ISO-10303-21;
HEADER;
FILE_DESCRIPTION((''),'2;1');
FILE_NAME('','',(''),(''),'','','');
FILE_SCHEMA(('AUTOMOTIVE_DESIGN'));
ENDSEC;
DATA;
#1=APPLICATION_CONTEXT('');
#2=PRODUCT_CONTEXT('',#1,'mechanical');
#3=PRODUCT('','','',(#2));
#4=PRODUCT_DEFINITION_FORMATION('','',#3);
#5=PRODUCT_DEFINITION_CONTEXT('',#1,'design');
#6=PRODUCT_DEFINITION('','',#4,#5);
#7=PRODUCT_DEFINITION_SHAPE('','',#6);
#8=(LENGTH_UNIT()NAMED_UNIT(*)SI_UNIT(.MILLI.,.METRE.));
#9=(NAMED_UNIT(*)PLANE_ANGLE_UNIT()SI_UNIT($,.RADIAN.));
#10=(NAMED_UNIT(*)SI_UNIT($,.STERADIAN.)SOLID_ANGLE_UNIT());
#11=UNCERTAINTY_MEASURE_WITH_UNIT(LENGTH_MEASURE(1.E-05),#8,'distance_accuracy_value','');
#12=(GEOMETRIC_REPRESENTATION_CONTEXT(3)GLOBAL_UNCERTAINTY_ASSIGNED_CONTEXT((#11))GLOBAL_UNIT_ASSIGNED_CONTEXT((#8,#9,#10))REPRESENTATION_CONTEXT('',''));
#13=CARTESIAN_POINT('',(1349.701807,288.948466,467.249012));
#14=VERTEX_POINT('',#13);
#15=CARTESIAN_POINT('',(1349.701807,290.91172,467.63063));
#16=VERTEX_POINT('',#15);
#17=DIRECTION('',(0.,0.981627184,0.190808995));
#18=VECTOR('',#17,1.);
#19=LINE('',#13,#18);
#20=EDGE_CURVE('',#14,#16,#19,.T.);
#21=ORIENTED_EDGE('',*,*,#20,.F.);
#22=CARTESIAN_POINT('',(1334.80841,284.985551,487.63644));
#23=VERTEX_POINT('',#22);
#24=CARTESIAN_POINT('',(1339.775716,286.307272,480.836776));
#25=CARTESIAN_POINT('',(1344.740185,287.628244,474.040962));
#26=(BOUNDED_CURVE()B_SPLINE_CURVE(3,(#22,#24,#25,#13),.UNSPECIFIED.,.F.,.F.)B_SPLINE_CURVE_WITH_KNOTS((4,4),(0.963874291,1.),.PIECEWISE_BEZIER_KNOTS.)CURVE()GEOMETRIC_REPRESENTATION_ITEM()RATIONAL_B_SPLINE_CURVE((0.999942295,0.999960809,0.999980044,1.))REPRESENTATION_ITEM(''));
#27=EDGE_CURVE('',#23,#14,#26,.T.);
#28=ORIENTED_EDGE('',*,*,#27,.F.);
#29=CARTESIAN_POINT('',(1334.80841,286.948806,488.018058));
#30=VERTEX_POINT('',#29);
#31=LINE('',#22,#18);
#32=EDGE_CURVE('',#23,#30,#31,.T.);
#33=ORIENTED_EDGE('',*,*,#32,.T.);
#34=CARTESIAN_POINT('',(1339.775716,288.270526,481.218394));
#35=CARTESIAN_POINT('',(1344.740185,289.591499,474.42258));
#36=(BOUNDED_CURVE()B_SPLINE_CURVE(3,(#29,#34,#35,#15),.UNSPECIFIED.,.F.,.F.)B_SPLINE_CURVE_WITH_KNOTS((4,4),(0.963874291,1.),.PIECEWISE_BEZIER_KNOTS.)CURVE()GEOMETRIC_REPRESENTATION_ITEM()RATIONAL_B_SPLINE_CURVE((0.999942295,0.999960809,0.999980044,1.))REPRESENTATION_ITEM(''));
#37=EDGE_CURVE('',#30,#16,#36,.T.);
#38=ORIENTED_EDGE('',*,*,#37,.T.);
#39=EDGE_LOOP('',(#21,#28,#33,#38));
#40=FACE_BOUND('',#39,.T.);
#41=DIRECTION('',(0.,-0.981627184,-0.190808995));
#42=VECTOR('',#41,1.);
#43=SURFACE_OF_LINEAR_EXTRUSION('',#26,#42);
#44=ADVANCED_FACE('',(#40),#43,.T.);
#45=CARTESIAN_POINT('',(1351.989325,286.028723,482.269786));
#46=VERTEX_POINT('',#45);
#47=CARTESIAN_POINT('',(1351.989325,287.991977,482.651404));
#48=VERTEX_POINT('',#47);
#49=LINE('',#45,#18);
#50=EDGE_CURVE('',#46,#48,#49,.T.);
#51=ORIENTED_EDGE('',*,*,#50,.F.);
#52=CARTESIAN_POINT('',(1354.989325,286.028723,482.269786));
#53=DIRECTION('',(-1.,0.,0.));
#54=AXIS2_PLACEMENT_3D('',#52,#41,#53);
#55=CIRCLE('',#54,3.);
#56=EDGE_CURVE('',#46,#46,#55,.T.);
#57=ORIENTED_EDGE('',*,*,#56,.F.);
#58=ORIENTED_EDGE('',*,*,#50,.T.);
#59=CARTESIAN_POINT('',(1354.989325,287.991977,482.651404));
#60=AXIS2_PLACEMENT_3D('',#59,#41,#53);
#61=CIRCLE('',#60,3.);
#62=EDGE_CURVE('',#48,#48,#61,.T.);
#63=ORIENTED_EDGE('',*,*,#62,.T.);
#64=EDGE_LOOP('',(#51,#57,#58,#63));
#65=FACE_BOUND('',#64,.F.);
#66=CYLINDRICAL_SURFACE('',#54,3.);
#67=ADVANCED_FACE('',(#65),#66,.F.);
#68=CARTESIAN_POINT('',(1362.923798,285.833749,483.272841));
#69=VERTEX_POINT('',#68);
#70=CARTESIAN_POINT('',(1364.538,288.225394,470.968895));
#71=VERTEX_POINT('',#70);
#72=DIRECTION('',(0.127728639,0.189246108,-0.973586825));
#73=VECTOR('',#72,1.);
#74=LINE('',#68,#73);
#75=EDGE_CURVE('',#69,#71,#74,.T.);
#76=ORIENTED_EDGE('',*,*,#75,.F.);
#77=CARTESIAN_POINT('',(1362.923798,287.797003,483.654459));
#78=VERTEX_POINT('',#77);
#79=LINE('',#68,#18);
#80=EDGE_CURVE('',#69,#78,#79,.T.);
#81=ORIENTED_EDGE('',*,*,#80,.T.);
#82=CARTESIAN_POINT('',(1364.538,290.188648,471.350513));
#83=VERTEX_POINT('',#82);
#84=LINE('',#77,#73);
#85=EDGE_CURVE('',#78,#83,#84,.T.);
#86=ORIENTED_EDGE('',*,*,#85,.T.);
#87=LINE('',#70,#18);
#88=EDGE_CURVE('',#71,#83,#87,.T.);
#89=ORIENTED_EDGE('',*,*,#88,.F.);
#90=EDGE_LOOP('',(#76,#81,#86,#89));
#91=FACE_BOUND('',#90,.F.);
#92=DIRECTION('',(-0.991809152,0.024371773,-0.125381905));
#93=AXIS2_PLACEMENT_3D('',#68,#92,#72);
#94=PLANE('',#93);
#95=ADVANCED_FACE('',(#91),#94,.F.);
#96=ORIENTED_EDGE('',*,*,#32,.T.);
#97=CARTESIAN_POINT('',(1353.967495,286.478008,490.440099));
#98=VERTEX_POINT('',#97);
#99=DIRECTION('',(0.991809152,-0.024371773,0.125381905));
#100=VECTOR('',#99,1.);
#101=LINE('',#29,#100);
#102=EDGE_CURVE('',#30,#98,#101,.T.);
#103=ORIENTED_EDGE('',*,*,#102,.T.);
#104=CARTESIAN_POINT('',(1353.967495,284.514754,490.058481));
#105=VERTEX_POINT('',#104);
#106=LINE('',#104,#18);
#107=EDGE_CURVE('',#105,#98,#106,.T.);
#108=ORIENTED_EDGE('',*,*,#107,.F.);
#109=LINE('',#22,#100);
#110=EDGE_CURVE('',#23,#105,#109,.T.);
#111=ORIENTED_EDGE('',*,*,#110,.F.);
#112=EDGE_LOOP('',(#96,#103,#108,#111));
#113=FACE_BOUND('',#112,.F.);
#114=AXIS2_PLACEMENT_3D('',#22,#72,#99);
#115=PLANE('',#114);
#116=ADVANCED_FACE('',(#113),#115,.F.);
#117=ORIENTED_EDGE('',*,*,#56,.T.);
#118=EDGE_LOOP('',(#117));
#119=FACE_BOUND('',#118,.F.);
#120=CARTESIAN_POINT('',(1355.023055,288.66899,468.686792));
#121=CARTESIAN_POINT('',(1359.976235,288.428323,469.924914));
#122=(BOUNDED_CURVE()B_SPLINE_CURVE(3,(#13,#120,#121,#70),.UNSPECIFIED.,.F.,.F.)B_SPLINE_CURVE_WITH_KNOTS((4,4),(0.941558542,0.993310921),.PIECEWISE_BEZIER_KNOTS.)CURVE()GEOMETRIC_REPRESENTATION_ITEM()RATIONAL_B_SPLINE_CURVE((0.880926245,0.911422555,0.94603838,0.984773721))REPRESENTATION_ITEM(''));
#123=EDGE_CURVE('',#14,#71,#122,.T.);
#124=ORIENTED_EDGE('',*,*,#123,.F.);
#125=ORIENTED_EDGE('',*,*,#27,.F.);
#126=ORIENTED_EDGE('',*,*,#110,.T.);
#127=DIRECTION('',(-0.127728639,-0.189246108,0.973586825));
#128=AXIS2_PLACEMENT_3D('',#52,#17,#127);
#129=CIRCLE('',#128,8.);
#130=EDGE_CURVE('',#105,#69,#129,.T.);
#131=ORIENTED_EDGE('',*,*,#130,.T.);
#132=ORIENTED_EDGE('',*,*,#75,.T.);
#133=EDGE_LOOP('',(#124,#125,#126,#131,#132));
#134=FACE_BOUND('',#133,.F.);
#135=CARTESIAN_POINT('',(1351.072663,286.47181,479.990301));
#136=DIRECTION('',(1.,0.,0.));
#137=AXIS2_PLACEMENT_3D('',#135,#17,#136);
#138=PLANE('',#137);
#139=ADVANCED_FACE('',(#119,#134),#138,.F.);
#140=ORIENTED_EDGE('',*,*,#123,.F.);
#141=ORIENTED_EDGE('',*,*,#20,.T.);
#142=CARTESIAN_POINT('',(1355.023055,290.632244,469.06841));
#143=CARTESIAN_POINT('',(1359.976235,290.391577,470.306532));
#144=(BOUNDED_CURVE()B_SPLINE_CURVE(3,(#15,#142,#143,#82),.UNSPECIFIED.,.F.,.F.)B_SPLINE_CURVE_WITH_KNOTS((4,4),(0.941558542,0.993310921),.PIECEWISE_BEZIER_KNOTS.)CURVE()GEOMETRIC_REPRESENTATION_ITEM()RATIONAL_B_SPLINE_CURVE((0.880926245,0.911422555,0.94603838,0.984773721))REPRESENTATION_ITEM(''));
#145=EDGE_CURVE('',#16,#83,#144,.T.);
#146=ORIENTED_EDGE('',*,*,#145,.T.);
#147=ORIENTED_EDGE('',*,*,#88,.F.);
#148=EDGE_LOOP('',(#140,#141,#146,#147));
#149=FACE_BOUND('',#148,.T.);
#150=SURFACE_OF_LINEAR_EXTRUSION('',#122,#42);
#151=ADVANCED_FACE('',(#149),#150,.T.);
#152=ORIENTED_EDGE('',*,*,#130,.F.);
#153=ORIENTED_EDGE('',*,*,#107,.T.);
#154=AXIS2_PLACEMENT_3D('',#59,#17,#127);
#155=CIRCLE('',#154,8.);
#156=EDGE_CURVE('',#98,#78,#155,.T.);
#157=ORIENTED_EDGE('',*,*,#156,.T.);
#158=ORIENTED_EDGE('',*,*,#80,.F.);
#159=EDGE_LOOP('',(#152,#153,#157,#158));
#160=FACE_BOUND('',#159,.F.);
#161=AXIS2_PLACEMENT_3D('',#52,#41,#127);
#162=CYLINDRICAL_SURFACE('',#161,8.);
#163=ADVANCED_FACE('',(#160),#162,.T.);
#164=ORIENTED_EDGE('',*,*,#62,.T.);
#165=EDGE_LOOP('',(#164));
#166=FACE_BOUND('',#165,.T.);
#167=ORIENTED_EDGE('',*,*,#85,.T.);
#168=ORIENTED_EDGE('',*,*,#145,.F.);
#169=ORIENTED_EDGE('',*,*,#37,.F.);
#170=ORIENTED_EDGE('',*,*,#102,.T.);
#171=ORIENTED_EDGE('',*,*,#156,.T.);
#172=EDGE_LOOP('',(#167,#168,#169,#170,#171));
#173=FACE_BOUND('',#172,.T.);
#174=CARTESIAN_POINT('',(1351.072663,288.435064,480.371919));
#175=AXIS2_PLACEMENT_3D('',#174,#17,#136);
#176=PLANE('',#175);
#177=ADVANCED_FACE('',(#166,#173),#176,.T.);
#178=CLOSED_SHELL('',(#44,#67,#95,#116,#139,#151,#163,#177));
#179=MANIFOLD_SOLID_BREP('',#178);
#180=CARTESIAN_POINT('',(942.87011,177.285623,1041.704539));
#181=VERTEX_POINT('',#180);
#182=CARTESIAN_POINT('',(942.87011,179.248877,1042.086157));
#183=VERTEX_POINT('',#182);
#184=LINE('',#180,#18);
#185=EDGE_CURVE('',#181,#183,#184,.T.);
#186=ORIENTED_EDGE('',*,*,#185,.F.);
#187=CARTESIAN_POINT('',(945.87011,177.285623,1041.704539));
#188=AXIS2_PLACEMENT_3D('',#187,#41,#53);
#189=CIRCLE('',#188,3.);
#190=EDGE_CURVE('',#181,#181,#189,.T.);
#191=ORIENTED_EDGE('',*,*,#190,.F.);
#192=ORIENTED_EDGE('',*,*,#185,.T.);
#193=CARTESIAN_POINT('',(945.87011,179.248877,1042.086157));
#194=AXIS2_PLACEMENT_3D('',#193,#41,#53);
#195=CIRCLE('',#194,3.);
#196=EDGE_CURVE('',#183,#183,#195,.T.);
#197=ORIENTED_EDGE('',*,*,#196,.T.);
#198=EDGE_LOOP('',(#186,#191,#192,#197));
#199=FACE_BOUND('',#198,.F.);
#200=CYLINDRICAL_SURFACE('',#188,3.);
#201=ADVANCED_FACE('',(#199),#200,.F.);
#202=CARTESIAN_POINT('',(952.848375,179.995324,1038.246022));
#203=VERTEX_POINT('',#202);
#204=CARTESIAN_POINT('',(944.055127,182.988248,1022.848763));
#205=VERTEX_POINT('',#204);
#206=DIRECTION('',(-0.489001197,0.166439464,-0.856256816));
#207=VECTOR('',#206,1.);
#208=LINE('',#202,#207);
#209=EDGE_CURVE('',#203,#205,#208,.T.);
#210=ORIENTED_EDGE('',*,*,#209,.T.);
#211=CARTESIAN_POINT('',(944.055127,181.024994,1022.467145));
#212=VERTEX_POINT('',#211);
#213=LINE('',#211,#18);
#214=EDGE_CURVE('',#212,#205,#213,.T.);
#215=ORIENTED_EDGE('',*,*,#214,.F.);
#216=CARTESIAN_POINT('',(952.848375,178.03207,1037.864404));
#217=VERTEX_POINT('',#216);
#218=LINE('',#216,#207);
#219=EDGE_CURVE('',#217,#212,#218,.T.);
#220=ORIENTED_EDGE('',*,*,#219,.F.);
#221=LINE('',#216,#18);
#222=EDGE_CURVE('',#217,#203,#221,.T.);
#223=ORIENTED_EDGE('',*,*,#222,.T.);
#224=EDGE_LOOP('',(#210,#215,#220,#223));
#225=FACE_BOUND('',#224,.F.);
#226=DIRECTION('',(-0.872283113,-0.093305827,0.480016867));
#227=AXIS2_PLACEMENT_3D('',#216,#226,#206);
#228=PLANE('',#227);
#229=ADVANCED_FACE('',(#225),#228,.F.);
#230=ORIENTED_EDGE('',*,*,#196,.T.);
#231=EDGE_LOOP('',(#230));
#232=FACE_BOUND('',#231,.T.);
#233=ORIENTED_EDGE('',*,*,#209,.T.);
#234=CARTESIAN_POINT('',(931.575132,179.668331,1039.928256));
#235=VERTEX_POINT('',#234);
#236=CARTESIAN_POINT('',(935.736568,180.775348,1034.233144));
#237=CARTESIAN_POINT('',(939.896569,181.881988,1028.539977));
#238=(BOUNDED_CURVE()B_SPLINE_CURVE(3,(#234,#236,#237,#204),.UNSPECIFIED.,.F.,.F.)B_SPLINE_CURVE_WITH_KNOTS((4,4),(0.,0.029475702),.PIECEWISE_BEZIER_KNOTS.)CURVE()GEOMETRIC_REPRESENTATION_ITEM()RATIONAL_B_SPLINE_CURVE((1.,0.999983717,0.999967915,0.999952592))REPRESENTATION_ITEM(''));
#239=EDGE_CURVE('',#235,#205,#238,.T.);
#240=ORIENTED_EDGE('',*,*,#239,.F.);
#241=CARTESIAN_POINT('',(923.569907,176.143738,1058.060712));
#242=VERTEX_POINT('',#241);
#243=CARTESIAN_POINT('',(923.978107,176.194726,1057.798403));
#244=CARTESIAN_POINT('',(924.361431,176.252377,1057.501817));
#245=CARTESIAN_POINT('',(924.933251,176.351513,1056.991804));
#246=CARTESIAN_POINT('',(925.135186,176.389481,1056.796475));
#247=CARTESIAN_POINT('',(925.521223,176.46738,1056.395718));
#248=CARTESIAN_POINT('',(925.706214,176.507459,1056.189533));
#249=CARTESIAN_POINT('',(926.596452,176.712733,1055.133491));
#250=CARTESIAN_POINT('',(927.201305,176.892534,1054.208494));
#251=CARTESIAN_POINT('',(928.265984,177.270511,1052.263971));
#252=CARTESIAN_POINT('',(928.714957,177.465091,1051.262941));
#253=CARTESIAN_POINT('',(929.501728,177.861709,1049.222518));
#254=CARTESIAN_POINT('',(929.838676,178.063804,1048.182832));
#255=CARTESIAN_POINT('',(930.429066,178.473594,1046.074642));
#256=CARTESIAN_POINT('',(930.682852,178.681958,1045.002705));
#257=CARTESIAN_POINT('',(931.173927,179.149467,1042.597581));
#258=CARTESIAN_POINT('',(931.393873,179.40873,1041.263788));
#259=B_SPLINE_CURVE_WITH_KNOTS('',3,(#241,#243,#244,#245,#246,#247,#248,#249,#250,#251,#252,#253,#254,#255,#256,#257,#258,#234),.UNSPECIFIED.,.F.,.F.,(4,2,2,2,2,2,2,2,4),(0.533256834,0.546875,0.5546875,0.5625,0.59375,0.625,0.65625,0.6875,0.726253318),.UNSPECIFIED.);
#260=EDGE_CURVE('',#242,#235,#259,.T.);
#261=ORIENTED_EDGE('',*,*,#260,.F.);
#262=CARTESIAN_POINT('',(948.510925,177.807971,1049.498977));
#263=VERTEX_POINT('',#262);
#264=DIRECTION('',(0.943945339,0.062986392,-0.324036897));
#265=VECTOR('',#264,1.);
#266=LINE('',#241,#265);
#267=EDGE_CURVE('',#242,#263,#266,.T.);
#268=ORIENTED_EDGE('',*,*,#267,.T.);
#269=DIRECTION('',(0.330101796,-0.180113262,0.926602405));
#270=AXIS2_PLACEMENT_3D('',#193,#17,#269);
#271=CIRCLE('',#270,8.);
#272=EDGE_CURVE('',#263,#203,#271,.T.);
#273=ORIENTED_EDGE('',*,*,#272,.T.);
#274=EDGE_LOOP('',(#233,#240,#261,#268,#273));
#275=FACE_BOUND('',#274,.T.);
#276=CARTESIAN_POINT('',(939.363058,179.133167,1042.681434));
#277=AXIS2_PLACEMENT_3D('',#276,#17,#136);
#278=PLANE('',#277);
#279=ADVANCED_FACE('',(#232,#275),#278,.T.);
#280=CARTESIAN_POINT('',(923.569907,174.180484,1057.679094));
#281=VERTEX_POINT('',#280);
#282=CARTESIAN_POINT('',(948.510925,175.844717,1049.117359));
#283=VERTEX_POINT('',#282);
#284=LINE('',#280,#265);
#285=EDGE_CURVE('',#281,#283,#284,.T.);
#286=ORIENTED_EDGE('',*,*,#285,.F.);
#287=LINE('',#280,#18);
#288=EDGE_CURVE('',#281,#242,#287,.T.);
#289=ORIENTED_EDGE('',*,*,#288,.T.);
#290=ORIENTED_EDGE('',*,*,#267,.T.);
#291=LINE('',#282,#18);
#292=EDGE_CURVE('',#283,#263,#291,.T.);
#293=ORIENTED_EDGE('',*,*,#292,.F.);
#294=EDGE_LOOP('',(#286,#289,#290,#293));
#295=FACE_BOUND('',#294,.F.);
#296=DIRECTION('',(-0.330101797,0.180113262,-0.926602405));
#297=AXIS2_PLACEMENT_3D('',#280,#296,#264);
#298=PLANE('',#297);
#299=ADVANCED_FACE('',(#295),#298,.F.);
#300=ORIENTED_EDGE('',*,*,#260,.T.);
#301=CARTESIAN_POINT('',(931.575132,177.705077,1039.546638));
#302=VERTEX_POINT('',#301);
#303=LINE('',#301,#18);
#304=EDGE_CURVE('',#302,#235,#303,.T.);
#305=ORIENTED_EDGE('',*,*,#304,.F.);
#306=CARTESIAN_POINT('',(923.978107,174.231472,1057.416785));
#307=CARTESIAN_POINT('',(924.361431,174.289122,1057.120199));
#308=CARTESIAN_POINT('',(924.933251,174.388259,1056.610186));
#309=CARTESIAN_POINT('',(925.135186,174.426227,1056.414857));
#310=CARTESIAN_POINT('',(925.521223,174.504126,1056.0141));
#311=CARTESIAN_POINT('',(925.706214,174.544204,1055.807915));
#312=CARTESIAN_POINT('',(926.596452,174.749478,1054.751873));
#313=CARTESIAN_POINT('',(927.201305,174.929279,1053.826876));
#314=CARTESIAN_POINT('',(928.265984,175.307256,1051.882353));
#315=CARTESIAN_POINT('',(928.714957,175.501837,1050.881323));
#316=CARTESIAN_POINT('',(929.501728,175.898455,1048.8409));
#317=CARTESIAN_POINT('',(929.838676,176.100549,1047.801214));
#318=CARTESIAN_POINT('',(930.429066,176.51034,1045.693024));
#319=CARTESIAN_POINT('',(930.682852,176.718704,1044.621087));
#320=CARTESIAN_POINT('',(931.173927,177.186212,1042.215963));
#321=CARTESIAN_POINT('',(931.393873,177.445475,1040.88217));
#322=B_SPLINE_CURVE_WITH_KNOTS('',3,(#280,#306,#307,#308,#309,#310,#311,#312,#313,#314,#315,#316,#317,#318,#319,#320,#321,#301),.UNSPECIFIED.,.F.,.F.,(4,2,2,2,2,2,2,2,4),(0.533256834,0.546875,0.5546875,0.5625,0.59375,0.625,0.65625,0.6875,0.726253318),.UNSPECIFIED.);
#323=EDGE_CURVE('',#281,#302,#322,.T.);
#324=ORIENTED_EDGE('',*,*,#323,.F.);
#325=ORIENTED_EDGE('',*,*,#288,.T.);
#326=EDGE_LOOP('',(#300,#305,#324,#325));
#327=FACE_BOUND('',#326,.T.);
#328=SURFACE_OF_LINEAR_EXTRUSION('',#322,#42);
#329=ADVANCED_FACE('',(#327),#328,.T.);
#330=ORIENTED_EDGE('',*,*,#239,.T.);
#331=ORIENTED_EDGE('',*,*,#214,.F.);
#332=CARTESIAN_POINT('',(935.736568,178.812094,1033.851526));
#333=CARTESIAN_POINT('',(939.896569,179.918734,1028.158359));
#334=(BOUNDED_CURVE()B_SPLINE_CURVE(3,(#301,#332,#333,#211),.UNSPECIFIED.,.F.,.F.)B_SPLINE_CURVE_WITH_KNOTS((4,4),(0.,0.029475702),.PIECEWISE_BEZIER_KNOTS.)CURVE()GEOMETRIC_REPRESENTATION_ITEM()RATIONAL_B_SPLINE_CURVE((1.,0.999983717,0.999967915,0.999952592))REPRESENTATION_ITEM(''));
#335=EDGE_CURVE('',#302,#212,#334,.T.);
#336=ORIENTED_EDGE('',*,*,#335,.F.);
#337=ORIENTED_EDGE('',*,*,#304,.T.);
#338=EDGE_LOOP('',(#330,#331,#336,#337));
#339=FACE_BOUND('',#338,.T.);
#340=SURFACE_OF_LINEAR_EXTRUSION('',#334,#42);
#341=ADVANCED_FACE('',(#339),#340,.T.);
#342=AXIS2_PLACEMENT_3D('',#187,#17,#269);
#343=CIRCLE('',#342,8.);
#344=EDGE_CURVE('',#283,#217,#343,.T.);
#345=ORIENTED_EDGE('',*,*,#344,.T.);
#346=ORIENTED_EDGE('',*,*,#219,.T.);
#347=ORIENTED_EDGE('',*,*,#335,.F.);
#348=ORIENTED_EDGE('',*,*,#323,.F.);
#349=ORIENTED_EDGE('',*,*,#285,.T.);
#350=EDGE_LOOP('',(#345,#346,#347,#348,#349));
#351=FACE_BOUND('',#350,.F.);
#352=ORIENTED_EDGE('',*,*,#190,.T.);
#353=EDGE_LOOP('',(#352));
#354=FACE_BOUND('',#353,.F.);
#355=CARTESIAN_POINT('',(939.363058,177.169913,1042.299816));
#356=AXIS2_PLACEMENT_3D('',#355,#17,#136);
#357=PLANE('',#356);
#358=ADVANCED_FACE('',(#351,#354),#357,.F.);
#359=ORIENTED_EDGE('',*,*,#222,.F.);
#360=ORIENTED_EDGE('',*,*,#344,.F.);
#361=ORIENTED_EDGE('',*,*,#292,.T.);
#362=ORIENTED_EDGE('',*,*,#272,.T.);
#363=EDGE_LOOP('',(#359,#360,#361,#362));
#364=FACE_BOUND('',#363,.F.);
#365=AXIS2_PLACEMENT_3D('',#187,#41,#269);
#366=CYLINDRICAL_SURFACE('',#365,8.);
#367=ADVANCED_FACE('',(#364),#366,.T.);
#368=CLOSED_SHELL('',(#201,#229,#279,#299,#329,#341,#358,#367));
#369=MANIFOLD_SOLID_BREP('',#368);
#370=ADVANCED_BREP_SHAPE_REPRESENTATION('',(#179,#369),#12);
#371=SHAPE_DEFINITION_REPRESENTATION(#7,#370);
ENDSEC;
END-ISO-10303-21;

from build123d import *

# Parameters (mm, degrees)
SZKIC1_R                      = 3
DODANIE_WYCI_GNI_CIE1_DEPTH   = 2
DODANIE_WYCI_GNI_CIE1_2_DEPTH = 2


with BuildPart() as part:
    # Szkic1 → Dodanie-wyciągnięcie1 (new body)
    with BuildSketch(Plane(origin=(0, 365.945689179, 71.13263619), x_dir=(-1, 0, 0), z_dir=(0, -0.981627183, -0.190808995))):
        with BuildLine():
            Line((-1362.923797729, -419.854107682), (-1364.538000279, -407.319872061))
            add(Edge.make_bspline(
                [(-1349.701807109, -403.530365456), (-1355.02305477, -404.99505528), (-1359.97623472, -406.256350894), (-1364.538000279, -407.319872061)],
                knots=[0.941558542, 0.941558542, 0.941558542, 0.941558542, 0.993310921, 0.993310921, 0.993310921, 0.993310921], degree=3, weights=[0.880926245, 0.911422555, 0.94603838, 0.984773721]))
            add(Edge.make_bspline(
                [(-1334.808410224, -424.29937802), (-1339.775715665, -417.372446761), (-1344.740184818, -410.449437658), (-1349.701807109, -403.530365456)],
                knots=[0.963874291, 0.963874291, 0.963874291, 0.963874291, 1, 1, 1, 1], degree=3, weights=[0.999942295, 0.999960809, 0.999980044, 1]))
            Line((-1334.808410224, -424.29937802), (-1353.967495394, -426.766751785))
            ThreePointArc((-1353.967495394, -426.766751785), (-1359.877302031, -425.165340681), (-1362.923797729, -419.854107682))
        make_face()
        with Locations((-1354.98932451, -418.832278566)):
            Circle(SZKIC1_R, mode=Mode.SUBTRACT)
    extrude(amount=-DODANIE_WYCI_GNI_CIE1_DEPTH)


with BuildPart() as body_2:
    # Szkic1 → Dodanie-wyci_gni_cie1 2 (new body)
    with BuildSketch(Plane(origin=(0, 365.945689179, 71.13263619), x_dir=(-1, 0, 0), z_dir=(0, -0.981627183, -0.190808995))):
        with BuildLine():
            Line((-952.848375327, -984.825791702), (-944.055127392, -969.140346063))
            add(Edge.make_bspline(
                [(-931.575131618, -986.539510746), (-935.73656816, -980.737805888), (-939.896568771, -974.938081512), (-944.055127392, -969.140346063)],
                knots=[0, 0, 0, 0, 0.029475702, 0.029475702, 0.029475702, 0.029475702], degree=3, weights=[1, 0.999983717, 0.999967915, 0.999952592]))
            add(Edge.make_bspline(
                [(-923.569906868, -1005.011346587), (-923.978106771, -1004.744128104), (-924.361430622, -1004.441990869), (-924.933250587, -1003.922432382), (-925.135186128, -1003.723447225), (-925.5212225, -1003.315189544), (-925.706214443, -1003.105145705), (-926.596451968, -1002.029337731), (-927.201304915, -1001.08702776), (-928.265984349, -999.106110043), (-928.714956529, -998.086344366), (-929.501728034, -996.007731579), (-929.838676077, -994.948585213), (-930.429066466, -992.800937093), (-930.682852112, -991.708936691), (-931.17392663, -989.258796767), (-931.393872963, -987.900039795), (-931.575131618, -986.539510746)],
                knots=[0.533256834, 0.533256834, 0.533256834, 0.533256834, 0.546875, 0.546875, 0.5546875, 0.5546875, 0.5625, 0.5625, 0.59375, 0.59375, 0.625, 0.625, 0.65625, 0.65625, 0.6875, 0.6875, 0.726253318, 0.726253318, 0.726253318, 0.726253318], degree=3))
            Line((-923.569906868, -1005.011346587), (-948.510924792, -996.28936399))
            ThreePointArc((-948.510924792, -996.28936399), (-953.352425834, -991.568871046), (-952.848375327, -984.825791702))
        make_face()
        with Locations((-945.87011042, -988.737801274)):
            Circle(SZKIC1_R, mode=Mode.SUBTRACT)
    extrude(amount=-DODANIE_WYCI_GNI_CIE1_2_DEPTH)


solid = Compound([part.part, body_2.part])
